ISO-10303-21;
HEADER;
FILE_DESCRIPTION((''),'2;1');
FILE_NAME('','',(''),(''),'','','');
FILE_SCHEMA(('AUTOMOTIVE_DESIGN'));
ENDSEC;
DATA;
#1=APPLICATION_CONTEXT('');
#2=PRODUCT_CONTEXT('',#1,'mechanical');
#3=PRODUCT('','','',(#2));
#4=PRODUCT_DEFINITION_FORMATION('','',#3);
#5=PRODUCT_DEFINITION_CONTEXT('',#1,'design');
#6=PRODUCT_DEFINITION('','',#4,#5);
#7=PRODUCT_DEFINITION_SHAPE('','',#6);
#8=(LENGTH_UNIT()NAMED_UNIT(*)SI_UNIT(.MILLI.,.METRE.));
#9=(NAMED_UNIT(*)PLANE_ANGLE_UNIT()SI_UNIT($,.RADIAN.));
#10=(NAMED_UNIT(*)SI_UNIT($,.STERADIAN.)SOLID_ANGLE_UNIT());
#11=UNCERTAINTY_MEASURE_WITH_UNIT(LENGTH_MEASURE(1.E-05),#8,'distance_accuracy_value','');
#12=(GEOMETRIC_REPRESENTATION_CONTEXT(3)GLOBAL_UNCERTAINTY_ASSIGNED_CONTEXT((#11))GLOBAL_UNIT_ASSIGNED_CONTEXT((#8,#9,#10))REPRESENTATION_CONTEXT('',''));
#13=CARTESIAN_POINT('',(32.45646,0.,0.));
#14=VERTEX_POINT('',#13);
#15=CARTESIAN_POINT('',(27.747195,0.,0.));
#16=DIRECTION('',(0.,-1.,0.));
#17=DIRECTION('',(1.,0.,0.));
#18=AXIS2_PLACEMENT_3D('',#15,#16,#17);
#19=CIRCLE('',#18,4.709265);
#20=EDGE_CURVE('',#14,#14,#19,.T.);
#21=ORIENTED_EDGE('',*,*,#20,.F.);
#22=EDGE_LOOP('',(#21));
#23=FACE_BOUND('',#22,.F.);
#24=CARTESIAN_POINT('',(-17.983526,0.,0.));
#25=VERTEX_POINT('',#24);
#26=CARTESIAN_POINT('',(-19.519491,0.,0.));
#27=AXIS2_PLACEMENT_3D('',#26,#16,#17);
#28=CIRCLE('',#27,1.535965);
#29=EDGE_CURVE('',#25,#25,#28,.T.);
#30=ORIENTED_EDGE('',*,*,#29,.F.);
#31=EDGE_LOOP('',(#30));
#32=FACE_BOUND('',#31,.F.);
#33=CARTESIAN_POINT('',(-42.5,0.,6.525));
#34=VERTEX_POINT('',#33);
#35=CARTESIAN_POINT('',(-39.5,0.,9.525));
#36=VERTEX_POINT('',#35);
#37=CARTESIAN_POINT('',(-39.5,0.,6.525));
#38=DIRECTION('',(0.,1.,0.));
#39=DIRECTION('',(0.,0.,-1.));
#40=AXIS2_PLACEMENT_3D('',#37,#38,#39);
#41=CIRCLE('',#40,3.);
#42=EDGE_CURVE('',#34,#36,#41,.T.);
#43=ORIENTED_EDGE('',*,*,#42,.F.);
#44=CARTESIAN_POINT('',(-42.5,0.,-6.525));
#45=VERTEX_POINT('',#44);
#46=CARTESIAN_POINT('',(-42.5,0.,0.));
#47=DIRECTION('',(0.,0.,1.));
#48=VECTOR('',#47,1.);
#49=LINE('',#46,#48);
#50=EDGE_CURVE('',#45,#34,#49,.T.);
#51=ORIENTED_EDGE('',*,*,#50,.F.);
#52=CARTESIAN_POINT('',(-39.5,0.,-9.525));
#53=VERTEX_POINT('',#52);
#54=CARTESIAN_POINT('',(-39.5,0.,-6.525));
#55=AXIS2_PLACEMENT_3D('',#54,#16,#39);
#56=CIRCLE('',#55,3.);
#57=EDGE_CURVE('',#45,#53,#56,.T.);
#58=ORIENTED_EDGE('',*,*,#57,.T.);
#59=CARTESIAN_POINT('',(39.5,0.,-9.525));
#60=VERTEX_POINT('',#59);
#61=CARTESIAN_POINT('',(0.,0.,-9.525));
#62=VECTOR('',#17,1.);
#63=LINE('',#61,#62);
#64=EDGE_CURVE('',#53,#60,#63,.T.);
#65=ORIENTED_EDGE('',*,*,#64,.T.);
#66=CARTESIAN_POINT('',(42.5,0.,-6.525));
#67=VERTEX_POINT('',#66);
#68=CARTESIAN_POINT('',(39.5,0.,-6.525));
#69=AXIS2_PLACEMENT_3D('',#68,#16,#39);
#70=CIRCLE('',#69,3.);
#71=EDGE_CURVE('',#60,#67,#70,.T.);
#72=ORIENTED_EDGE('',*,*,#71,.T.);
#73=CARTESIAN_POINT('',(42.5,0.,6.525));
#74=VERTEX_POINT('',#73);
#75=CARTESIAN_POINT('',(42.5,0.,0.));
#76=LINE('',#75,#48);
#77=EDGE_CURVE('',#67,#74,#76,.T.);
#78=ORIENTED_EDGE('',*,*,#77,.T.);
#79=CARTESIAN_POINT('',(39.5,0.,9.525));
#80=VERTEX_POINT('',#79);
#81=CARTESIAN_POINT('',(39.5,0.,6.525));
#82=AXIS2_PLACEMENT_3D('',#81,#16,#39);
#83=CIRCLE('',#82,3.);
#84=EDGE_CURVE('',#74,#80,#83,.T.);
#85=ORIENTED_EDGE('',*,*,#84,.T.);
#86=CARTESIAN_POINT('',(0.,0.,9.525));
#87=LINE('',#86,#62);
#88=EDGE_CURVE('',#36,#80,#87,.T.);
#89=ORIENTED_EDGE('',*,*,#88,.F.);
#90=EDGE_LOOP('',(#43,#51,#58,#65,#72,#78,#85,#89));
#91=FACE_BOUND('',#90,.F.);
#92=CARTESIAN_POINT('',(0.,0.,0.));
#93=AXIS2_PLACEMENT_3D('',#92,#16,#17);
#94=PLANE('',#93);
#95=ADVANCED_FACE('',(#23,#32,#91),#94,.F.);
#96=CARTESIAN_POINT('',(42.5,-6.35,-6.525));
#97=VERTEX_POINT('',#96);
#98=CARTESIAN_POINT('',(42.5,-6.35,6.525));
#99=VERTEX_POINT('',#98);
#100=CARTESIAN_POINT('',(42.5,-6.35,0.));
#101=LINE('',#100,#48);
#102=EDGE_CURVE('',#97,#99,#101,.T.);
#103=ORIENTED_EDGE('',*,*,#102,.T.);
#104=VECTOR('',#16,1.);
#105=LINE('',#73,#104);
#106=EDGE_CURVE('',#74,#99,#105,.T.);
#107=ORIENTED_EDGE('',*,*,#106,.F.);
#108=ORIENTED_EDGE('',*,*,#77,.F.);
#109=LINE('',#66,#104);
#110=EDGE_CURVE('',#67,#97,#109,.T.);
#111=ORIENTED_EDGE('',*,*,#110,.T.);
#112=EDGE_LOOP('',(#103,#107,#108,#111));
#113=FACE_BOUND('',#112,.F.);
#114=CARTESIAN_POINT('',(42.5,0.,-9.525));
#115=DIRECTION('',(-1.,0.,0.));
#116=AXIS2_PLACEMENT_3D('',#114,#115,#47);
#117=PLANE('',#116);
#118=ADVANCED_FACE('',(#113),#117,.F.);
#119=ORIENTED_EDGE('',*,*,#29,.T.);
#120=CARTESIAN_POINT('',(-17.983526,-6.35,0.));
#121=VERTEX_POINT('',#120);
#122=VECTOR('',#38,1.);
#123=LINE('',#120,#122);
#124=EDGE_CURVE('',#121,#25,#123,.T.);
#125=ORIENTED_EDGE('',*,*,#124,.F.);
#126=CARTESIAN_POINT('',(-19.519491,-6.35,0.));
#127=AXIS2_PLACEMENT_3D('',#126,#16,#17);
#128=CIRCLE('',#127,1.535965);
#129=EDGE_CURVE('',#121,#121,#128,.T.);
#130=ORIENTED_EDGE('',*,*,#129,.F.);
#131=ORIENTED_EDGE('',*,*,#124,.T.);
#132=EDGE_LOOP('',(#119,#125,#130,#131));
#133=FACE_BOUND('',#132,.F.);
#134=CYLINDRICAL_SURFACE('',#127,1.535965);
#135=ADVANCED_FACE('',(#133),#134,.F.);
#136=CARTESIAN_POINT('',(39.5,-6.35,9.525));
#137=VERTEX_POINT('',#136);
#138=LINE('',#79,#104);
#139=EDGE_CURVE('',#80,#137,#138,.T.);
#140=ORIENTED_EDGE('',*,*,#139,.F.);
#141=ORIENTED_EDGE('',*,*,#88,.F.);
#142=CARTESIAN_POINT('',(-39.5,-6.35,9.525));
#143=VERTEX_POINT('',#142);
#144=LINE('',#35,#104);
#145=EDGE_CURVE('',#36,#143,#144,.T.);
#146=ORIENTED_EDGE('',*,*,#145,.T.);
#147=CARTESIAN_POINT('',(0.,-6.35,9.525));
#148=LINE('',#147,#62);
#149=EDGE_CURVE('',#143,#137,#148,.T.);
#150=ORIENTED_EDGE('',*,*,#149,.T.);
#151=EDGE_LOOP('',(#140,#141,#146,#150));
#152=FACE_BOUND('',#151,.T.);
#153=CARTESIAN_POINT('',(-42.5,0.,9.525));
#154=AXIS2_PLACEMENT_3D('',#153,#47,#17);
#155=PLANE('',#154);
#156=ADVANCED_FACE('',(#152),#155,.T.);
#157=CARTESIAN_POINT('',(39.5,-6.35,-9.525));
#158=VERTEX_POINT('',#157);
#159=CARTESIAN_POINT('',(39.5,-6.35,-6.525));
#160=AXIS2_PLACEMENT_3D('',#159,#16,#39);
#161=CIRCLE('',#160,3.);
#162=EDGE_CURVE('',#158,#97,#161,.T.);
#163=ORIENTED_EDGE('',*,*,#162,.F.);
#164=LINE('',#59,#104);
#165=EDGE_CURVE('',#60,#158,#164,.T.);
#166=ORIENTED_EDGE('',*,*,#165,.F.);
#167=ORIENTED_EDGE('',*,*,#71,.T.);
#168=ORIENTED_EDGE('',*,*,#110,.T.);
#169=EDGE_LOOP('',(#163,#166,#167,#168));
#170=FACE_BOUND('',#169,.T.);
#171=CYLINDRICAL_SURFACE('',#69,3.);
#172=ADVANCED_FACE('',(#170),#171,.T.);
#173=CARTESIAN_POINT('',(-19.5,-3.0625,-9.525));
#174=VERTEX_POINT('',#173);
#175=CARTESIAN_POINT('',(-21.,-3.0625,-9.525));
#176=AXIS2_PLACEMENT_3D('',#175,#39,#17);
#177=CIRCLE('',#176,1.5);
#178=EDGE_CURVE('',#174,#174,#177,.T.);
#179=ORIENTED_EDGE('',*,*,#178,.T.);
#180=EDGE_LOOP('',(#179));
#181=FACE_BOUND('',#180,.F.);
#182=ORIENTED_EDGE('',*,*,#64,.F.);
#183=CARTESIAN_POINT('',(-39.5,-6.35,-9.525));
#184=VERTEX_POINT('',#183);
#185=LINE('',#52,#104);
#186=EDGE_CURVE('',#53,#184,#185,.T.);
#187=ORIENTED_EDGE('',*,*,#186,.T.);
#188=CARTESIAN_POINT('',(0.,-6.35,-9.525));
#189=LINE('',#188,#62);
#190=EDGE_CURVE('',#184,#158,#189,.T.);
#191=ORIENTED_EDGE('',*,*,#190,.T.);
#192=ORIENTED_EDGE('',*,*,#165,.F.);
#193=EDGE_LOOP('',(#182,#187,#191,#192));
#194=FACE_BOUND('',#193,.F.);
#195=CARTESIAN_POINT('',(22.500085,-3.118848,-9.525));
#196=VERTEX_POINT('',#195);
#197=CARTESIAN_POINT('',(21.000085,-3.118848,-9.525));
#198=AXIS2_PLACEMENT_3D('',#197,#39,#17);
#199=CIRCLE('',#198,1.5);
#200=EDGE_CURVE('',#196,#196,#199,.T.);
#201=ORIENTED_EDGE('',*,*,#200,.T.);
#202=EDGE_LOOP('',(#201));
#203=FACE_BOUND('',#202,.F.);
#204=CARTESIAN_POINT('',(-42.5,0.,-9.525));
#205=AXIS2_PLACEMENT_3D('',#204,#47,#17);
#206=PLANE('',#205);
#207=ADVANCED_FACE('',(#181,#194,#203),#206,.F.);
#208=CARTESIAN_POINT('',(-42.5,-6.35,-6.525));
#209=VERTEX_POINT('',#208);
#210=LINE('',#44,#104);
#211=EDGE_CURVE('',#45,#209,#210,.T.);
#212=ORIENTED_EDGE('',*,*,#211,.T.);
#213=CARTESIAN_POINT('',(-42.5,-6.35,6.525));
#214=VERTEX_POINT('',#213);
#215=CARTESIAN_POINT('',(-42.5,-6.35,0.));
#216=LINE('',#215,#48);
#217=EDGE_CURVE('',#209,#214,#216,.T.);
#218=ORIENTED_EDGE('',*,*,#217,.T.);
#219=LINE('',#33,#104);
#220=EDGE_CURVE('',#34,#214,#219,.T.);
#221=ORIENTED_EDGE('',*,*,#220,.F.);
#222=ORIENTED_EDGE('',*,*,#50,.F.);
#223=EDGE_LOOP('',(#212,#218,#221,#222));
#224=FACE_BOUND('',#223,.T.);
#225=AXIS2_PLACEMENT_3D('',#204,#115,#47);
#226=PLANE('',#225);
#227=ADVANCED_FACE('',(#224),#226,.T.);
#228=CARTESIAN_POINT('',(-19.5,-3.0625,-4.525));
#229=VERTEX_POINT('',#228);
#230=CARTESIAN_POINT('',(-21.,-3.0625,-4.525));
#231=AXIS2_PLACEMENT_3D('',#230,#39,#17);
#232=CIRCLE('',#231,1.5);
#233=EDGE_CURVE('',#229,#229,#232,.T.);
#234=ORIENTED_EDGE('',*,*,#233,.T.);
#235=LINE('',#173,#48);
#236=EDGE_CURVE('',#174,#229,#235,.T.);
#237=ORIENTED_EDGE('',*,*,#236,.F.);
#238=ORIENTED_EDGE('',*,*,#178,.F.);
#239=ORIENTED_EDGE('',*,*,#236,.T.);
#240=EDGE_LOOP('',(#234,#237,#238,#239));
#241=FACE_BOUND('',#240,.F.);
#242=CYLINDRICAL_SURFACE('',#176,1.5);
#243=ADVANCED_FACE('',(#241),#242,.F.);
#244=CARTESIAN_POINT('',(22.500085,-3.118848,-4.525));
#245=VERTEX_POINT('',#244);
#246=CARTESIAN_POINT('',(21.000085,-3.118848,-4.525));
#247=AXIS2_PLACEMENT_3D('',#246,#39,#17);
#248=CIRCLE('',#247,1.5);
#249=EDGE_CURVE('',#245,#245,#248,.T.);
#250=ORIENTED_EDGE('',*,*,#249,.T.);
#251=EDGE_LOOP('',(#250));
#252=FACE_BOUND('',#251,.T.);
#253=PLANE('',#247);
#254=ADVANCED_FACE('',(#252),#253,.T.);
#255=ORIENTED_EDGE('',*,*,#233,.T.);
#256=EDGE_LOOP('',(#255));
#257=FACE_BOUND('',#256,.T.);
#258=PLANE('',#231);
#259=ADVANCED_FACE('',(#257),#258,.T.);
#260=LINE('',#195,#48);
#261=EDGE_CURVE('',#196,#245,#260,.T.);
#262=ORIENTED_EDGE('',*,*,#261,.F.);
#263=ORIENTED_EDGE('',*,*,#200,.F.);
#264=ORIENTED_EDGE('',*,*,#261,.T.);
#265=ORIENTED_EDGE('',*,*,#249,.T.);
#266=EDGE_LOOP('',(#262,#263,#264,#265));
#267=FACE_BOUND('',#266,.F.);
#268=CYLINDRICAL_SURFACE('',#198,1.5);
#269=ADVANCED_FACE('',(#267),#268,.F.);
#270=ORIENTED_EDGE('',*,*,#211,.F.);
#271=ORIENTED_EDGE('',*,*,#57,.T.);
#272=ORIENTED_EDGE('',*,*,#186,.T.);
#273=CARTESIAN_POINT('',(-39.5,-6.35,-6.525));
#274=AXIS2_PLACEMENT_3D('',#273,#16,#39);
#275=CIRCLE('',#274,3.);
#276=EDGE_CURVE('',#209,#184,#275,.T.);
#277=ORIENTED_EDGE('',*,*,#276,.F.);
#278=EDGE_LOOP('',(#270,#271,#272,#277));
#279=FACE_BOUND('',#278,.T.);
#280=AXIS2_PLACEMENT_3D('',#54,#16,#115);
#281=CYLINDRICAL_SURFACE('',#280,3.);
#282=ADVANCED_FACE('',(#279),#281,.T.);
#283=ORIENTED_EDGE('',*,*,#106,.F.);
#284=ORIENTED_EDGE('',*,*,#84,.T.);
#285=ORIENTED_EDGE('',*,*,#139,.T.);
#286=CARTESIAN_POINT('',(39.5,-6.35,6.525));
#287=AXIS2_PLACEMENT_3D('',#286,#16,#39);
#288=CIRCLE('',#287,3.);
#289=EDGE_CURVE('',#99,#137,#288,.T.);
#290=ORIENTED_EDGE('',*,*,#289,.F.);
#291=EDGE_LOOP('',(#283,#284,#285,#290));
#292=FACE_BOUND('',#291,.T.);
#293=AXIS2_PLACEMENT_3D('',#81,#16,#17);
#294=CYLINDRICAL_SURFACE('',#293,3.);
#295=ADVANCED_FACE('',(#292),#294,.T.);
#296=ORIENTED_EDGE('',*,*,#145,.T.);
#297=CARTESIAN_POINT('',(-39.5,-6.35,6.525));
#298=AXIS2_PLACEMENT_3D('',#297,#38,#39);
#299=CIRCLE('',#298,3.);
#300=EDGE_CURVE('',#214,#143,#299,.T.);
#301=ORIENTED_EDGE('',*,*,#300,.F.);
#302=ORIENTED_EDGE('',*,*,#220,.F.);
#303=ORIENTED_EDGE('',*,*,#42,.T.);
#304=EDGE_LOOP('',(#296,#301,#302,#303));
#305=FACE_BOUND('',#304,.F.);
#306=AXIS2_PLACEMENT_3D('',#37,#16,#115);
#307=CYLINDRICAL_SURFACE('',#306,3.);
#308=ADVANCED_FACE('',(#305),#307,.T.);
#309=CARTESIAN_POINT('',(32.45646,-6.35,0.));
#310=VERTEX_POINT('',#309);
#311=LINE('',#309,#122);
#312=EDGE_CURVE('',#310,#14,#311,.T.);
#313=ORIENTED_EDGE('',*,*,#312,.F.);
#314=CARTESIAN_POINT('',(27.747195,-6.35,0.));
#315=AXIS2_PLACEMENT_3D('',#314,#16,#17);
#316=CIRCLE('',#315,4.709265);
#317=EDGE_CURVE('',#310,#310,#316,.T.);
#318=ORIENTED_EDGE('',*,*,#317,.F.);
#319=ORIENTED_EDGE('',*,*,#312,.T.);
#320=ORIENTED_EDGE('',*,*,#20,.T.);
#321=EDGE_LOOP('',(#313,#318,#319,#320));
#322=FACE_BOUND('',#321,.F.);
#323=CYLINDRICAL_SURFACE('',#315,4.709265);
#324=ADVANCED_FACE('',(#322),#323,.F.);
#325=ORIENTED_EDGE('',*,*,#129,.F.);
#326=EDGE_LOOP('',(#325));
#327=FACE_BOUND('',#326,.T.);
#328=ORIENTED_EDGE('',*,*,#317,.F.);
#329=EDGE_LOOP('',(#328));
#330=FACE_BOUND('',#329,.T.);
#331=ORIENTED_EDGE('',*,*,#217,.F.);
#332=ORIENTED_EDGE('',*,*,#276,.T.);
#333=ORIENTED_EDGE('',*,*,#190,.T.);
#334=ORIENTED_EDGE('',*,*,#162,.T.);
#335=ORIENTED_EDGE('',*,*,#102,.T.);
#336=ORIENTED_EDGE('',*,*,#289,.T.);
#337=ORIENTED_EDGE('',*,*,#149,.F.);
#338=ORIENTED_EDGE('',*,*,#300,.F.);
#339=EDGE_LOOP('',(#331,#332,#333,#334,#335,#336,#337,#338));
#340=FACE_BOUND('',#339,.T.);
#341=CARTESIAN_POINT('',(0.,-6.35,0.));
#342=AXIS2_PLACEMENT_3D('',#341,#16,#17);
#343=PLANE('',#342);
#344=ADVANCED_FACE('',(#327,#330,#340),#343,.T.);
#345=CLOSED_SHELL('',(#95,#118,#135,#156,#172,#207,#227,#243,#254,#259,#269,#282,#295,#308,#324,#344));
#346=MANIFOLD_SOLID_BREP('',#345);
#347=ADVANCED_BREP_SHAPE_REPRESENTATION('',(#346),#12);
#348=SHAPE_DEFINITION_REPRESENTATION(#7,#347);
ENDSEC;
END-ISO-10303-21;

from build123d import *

# Parameters (mm, degrees)
F0_W     = 85
F0_H     = 19.05
F1_DEPTH = 6.35
F2_R     = 3
F3_R     = 1.535965
F3_R_2   = 4.709265
F4_DEPTH = 25
F5_R     = 1.5
F6_DEPTH = 5


with BuildPart() as f1:
    # F0 (on Front) → F1 (new body)
    with BuildSketch(Plane.XZ):
        Rectangle(F0_W, F0_H)
    extrude(amount=F1_DEPTH)

    # F2
    f2_edges = [f1.edges().sort_by_distance(p)[0] for p in [
        (-42.5, -3.175, 9.525),
        (42.5, -3.175, 9.525),
        (-42.5, -3.175, -9.525),
        (42.5, -3.175, -9.525),
    ]]
    fillet(f2_edges, radius=F2_R)

    # F3 (on face) → F4 (cut)
    with BuildSketch(Plane.XZ.offset(6.35)):
        with Locations((-19.519491, 0)):
            Circle(F3_R)
        with Locations((27.747195, 0)):
            Circle(F3_R_2)
    extrude(amount=-F4_DEPTH, mode=Mode.SUBTRACT)

    # F5 (on face) → F6 (cut)
    with BuildSketch(Plane(origin=(0, 0, -9.525), x_dir=(1, 0, 0), z_dir=(0, 0, -1))):
        with Locations((-21, 3.0625)):
            Circle(F5_R)
        with Locations((21.000085, 3.118848)):
            Circle(F5_R)
    extrude(amount=-F6_DEPTH, mode=Mode.SUBTRACT)


solid = f1.part
